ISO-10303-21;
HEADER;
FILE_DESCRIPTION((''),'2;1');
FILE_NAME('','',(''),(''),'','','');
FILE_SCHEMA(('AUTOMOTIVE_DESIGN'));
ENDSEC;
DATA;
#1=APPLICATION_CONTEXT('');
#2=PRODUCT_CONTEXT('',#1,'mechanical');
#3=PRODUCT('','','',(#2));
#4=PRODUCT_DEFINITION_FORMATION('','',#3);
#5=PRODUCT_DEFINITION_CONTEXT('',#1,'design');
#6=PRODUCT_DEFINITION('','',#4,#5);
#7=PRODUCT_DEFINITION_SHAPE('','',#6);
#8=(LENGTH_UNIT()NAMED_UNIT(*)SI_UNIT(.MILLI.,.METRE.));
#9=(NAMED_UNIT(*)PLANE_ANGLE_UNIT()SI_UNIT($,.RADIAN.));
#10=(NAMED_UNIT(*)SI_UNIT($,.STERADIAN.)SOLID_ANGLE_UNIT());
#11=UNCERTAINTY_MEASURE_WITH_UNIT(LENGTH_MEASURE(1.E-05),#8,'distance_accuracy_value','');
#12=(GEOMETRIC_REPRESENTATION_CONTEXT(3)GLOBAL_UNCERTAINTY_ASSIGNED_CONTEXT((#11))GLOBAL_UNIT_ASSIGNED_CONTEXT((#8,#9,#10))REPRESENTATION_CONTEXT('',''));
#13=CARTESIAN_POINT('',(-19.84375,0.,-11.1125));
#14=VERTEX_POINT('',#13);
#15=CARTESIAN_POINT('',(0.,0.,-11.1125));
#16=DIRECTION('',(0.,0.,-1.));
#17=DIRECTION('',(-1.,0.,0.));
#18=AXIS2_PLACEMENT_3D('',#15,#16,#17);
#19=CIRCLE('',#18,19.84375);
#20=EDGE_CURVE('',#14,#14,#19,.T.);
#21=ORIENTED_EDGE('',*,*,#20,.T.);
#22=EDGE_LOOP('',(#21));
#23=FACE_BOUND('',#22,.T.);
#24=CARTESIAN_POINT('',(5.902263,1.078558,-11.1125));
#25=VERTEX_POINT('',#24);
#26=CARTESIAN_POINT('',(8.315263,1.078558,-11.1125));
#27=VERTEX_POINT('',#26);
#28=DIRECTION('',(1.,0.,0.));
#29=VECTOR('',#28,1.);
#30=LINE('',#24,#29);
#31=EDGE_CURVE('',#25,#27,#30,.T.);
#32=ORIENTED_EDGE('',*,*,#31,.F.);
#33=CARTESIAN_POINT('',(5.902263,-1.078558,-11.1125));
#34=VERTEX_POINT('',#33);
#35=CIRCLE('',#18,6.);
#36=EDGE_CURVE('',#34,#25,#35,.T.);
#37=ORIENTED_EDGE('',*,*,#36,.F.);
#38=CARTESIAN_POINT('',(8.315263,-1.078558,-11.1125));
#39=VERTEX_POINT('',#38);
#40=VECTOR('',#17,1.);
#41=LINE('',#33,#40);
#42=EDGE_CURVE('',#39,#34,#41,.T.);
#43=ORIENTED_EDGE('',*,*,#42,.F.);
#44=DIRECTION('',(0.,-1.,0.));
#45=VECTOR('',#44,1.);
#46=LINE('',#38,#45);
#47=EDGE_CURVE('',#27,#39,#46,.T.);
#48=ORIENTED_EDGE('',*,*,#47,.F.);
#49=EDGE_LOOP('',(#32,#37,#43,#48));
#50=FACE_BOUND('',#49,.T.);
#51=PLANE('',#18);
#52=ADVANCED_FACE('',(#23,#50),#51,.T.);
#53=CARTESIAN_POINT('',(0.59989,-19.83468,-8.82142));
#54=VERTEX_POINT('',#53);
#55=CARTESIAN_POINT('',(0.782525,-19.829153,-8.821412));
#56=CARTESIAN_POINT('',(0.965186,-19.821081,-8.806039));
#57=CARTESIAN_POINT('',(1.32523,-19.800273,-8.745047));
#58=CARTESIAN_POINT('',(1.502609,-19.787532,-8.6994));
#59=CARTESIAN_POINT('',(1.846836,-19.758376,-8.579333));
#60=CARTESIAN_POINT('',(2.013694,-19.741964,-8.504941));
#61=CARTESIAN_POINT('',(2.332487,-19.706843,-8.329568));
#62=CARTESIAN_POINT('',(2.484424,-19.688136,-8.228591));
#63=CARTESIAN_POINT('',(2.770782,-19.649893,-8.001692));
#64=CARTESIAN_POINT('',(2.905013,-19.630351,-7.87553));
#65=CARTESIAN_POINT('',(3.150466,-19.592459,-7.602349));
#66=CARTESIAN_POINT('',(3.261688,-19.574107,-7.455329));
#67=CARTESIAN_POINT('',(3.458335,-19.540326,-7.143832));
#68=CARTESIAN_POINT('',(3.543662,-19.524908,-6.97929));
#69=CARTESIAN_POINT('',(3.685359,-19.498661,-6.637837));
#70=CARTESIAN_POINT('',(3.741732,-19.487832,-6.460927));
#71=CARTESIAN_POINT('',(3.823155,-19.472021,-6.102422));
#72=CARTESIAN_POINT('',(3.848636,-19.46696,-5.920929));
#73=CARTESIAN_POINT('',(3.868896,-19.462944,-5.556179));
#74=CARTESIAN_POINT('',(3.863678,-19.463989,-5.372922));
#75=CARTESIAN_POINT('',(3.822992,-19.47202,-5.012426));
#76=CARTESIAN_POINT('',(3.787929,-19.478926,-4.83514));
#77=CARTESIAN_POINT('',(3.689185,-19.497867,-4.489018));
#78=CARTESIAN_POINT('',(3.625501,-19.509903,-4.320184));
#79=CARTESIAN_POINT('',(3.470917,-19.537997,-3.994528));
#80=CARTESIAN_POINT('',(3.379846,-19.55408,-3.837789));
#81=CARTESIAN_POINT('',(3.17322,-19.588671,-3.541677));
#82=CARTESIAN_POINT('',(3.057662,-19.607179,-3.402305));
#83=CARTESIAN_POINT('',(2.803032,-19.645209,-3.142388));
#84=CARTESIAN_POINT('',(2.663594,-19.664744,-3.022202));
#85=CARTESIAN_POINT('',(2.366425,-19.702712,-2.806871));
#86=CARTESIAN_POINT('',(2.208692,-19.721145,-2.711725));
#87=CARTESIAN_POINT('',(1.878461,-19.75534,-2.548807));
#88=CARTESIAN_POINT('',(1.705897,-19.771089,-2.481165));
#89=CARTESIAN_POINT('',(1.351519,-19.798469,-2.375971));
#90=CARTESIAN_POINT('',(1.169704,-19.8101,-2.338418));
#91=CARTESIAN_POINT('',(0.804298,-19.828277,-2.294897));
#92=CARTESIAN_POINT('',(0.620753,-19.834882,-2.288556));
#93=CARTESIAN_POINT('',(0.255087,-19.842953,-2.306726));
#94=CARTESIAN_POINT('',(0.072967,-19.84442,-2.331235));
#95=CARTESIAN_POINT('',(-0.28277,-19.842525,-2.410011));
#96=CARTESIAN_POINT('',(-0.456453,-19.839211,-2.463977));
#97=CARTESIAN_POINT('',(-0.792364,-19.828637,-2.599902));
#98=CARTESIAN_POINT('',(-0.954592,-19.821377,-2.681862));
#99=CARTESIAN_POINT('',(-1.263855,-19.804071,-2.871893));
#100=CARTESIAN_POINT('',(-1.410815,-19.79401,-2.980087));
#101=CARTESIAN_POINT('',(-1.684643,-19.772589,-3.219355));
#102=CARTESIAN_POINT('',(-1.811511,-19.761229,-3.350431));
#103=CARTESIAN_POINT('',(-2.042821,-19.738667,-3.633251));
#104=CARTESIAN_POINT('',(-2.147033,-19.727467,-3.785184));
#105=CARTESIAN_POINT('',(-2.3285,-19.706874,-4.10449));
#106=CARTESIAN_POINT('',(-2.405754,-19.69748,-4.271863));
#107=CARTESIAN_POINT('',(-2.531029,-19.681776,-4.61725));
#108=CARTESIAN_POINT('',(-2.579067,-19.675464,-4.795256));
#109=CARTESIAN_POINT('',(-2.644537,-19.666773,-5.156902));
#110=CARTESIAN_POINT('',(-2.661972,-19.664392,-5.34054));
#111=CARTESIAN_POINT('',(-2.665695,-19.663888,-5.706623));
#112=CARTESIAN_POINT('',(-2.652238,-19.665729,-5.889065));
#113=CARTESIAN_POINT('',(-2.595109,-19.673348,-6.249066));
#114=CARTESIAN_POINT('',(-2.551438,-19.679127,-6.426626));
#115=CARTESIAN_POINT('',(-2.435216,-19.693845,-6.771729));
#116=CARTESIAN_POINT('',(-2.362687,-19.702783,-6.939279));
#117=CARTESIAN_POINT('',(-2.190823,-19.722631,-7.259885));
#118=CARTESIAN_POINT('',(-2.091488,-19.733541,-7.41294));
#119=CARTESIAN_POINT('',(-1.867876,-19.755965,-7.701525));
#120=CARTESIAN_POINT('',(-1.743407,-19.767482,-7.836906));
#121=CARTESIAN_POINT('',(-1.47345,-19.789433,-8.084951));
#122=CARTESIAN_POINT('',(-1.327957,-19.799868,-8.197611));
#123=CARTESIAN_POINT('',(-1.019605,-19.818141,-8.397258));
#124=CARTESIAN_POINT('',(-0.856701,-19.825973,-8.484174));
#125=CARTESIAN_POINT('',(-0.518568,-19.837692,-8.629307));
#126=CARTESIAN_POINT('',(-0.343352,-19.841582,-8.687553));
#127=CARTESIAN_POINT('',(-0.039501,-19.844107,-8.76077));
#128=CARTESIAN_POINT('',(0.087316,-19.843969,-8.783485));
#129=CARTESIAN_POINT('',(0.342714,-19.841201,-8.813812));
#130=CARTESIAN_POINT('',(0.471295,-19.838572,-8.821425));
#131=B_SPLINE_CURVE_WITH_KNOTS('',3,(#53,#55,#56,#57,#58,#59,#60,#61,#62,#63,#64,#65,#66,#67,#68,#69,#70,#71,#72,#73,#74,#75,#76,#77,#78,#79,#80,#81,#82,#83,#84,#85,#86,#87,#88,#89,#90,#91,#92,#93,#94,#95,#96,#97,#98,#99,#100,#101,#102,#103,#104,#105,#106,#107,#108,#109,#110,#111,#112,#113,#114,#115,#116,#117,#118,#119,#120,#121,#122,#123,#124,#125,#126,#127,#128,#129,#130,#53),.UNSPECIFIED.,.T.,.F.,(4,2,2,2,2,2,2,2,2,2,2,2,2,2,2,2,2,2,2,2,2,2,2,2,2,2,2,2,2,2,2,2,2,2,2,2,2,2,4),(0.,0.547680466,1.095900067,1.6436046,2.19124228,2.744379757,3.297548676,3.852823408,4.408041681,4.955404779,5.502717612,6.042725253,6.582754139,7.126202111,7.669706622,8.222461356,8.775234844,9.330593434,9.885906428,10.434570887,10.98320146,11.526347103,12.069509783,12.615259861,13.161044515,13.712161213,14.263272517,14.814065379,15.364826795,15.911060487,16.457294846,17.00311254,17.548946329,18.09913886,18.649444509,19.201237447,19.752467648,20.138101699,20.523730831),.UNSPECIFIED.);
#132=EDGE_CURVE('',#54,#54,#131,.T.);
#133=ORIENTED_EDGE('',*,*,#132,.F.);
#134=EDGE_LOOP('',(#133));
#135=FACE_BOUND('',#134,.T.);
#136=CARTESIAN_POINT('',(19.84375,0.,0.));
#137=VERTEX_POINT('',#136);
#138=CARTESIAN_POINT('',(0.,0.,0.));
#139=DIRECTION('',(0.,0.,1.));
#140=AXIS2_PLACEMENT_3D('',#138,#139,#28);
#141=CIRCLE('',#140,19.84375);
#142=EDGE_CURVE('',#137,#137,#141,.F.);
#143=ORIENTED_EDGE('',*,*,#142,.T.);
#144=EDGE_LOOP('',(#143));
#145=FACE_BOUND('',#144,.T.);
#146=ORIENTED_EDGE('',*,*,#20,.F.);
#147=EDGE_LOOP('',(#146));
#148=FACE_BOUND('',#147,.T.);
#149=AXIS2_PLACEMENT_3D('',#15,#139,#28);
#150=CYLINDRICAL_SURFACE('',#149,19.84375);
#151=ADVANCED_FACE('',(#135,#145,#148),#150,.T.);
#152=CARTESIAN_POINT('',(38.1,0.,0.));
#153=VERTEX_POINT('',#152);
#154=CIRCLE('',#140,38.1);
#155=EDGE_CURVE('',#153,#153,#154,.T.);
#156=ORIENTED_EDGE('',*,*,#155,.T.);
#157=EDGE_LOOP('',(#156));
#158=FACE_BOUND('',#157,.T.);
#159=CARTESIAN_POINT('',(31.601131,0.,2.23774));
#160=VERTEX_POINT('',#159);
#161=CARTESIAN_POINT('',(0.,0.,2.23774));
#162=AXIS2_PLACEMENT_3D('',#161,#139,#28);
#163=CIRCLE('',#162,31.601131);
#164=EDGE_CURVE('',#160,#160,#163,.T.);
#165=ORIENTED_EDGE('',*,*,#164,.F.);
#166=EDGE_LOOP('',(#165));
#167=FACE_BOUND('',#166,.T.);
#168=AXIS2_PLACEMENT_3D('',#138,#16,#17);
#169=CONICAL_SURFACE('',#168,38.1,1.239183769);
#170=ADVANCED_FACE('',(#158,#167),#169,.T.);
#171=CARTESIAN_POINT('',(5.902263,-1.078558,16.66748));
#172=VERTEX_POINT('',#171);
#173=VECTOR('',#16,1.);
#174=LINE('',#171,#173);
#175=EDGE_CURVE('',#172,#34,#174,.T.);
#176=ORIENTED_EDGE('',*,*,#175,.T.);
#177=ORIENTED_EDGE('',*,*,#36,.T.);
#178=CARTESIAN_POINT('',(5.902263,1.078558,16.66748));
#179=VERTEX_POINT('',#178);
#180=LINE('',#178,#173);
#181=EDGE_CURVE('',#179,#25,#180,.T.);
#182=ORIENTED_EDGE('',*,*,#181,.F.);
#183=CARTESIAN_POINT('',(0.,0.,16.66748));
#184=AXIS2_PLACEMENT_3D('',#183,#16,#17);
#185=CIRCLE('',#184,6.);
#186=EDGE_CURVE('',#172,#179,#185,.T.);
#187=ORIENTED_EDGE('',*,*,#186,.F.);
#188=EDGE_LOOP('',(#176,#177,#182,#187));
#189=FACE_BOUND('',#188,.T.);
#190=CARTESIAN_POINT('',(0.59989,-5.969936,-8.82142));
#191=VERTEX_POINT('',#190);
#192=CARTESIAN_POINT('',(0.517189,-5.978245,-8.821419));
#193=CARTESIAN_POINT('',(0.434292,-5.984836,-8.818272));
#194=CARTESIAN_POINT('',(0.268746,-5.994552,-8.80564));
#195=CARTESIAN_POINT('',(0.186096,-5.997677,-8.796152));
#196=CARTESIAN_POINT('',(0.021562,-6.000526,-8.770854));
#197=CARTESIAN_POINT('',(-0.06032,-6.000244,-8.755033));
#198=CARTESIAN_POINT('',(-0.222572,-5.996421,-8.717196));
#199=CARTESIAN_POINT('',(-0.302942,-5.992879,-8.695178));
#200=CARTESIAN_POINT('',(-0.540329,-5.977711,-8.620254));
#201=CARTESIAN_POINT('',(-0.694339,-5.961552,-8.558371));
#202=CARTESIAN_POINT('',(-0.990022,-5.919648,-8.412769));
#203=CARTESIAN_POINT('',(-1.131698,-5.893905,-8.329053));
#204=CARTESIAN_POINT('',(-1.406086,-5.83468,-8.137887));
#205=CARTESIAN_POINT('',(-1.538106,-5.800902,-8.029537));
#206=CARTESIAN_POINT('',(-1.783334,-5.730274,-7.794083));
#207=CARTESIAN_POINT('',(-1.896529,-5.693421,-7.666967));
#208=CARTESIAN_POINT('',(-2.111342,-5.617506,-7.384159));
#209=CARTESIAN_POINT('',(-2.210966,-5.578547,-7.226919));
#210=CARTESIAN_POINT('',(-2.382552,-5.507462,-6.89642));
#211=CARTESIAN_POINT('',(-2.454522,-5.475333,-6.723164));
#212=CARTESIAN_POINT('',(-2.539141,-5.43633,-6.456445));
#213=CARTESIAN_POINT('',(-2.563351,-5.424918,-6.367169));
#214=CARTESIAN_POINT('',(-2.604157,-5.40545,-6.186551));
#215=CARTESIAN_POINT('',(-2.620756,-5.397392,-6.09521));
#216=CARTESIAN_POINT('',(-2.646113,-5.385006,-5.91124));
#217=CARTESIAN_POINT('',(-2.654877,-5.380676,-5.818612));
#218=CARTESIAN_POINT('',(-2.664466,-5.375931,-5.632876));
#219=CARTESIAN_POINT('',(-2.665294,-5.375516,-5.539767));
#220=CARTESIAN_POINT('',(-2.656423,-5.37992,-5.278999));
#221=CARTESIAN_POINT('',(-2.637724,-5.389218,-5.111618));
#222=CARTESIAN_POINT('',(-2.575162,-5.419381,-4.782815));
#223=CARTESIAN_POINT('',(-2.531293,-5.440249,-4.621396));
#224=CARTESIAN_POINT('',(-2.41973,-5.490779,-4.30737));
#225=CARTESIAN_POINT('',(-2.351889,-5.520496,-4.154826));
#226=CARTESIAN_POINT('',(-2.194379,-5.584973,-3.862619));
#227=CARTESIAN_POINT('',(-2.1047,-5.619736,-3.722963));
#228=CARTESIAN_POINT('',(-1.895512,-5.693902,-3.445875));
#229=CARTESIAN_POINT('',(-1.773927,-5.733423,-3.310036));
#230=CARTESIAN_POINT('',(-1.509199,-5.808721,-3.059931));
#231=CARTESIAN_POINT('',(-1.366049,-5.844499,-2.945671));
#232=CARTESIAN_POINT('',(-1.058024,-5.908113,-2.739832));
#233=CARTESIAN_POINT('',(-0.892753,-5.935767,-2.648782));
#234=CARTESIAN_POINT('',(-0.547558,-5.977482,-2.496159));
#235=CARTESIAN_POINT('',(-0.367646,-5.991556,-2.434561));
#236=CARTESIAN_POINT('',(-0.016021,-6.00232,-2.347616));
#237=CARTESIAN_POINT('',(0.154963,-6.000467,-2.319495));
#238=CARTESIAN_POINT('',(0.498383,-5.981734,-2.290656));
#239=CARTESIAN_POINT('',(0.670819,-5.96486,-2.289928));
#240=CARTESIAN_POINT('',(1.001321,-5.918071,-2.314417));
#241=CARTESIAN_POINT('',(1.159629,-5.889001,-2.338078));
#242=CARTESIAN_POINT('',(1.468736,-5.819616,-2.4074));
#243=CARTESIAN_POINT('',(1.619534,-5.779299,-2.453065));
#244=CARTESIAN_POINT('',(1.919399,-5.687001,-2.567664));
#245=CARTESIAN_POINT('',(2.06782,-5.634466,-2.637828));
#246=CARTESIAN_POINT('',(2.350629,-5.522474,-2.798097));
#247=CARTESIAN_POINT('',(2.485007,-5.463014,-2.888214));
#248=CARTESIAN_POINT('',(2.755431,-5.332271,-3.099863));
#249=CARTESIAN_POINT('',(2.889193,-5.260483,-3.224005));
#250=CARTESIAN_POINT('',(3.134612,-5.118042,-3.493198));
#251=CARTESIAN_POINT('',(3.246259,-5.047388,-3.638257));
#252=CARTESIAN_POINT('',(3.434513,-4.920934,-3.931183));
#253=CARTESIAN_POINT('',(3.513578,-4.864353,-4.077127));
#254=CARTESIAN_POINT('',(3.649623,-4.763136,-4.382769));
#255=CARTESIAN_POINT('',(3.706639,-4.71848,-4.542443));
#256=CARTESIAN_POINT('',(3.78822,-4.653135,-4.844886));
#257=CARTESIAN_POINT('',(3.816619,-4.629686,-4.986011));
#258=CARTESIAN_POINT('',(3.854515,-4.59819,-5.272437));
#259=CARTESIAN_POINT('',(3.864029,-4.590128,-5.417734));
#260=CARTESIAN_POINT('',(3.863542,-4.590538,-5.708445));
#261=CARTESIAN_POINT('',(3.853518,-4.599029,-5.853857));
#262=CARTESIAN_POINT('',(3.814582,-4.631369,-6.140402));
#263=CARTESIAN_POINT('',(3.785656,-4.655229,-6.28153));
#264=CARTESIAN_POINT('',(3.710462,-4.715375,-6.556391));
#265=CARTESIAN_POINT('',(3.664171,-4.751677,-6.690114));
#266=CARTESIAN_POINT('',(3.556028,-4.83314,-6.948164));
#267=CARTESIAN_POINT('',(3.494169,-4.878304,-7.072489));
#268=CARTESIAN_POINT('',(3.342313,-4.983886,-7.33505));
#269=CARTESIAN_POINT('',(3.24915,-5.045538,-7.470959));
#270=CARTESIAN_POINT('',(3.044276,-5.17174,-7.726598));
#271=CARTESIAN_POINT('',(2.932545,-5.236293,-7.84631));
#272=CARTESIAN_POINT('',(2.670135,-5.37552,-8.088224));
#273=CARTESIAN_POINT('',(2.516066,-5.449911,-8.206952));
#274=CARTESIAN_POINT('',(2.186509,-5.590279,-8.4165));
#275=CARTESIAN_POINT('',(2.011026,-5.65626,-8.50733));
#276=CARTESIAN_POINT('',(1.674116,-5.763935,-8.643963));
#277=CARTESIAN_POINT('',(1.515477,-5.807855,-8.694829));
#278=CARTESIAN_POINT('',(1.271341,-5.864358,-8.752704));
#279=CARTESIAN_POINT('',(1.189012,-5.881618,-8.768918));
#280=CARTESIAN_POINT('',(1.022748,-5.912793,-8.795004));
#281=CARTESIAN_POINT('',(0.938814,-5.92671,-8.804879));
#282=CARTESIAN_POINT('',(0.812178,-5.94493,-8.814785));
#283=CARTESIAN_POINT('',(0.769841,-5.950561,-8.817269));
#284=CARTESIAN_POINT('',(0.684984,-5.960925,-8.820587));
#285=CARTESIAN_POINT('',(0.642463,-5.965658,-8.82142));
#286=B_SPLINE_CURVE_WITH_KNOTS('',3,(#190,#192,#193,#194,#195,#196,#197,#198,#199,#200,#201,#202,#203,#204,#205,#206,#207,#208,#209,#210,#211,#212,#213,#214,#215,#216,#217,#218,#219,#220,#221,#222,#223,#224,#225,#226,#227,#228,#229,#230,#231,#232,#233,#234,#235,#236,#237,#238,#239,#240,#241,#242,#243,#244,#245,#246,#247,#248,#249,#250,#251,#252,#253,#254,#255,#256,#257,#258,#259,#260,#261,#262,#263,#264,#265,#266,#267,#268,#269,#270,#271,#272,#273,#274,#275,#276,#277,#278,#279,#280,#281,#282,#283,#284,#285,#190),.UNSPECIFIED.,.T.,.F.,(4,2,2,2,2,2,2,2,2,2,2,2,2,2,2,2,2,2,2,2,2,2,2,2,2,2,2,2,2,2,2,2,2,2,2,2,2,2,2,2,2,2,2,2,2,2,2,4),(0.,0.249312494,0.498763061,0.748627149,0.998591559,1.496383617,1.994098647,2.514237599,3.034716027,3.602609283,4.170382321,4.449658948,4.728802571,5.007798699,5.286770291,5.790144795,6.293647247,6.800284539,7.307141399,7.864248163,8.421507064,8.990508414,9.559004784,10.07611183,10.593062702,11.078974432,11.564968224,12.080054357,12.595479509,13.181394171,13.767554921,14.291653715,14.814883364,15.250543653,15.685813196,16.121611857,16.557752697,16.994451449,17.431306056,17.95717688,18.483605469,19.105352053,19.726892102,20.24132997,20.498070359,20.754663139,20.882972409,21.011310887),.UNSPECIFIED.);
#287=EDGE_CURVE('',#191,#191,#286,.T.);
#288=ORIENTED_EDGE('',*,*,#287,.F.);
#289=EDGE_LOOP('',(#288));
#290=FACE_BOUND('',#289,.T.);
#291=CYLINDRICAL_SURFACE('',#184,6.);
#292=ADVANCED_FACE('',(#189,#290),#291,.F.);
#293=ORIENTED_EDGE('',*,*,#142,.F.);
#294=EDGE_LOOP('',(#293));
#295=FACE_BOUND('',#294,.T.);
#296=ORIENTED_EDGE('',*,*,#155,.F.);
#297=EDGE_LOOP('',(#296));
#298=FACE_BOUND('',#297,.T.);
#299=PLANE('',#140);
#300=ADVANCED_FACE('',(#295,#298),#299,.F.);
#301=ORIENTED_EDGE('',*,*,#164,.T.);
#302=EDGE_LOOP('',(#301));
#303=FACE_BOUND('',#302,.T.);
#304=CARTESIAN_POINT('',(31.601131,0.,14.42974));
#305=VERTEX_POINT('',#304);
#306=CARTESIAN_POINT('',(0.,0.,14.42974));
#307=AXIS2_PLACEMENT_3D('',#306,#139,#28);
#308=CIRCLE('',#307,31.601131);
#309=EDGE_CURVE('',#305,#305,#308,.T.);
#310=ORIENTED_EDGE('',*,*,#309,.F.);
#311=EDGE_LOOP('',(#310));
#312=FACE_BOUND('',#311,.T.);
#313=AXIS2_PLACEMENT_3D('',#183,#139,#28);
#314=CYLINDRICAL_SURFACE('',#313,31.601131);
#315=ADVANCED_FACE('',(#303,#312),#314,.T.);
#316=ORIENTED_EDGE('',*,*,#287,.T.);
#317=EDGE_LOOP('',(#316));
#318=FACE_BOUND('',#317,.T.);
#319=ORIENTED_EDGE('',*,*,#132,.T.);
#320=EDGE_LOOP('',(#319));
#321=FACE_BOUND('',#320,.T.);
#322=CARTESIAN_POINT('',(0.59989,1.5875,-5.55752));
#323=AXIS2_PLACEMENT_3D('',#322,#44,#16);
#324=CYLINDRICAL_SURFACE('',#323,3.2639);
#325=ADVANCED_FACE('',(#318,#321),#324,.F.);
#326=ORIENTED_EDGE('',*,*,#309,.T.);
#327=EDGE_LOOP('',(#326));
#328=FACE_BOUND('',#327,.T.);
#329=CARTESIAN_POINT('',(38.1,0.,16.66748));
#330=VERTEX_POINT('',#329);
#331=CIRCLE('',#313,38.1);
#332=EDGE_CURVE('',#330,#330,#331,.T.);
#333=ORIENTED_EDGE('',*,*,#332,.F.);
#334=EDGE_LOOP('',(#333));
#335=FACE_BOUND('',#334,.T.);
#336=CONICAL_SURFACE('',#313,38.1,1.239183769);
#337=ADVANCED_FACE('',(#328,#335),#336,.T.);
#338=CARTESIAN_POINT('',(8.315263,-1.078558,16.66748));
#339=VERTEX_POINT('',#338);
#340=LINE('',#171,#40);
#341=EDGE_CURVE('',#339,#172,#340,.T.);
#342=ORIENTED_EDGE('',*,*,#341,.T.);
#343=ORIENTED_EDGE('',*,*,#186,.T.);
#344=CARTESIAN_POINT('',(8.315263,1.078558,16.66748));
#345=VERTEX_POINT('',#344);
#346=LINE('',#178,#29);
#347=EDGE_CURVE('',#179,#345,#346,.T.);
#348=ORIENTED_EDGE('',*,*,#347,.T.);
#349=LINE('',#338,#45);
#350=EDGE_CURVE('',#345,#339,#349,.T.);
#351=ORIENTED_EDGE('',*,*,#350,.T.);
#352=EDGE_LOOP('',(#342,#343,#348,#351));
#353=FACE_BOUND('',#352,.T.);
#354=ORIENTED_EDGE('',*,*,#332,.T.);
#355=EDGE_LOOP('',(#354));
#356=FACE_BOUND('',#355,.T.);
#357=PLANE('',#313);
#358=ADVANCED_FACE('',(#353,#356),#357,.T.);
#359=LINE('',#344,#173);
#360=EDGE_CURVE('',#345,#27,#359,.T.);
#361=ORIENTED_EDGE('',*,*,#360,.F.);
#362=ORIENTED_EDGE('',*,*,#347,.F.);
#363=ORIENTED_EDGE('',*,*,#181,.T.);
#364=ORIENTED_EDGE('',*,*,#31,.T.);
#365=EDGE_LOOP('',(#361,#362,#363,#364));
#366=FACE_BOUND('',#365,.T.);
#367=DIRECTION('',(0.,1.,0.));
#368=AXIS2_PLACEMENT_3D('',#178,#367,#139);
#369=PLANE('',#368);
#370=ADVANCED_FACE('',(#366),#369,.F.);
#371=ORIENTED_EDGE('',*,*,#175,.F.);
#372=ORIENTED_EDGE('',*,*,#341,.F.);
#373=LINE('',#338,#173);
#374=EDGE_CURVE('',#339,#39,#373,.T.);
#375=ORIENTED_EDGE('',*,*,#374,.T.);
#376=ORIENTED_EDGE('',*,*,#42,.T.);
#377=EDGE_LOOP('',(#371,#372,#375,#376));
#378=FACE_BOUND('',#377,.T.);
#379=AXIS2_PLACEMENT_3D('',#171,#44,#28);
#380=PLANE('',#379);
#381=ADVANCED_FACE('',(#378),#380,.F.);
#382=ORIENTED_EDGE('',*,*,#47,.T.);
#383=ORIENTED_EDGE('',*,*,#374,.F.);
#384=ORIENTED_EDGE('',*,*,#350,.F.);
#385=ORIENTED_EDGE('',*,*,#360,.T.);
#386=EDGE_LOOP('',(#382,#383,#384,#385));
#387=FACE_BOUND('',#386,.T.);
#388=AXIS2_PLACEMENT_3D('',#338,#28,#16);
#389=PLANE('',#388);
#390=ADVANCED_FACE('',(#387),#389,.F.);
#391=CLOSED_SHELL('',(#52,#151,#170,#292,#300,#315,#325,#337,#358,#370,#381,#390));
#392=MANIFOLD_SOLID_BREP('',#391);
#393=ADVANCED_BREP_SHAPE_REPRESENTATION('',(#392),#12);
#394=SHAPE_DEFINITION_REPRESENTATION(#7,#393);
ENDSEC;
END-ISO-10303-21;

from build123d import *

# Parameters (mm, degrees)
SKETCH1_R               = 38.1
BOSS_EXTRUDE1_DEPTH     = 16.66748
SKETCH2_R               = 19.84375
BOSS_EXTRUDE2_DEPTH     = 11.1125
CUT_EXTRUDE1_DEPTH      = 61.621343509
CUT_EXTRUDE2_DEPTH      = 11.1125
CUT_EXTRUDE2_DEPTH_BACK = 11.1125
SKETCH5_R               = 3.2639


with BuildPart() as part:
    # Sketch1 → Boss-Extrude1 (new body)
    with BuildSketch(Plane.XY):
        Circle(SKETCH1_R)
    extrude(amount=BOSS_EXTRUDE1_DEPTH)

    # Sketch2 → Boss-Extrude2 (add)
    with BuildSketch(Plane(origin=(0, 0, 0), x_dir=(-1, 0, 0), z_dir=(0, 0, -1))):
        with Locations(Location((0, 0, 0), (0, 0, 180))):
            Circle(SKETCH2_R)
    extrude(amount=BOSS_EXTRUDE2_DEPTH)

    # Sketch3 → Cut-Extrude1 (cut, through all)
    with BuildSketch(Plane(origin=(0, 0, -11.1125), x_dir=(-1, 0, 0), z_dir=(0, 0, -1))):
        with BuildLine():
            Line((-5.902263385, -1.078557803), (-8.315263385, -1.078557803))
            Line((-8.315263385, -1.078557803), (-8.315263385, 1.078557803))
            Line((-8.315263385, 1.078557803), (-5.902263385, 1.078557803))
            ThreePointArc((-5.902263385, 1.078557803), (6, 0), (-5.902263385, -1.078557803))
        make_face()
    extrude(amount=-CUT_EXTRUDE1_DEPTH, mode=Mode.SUBTRACT)

    # Sketch5 → Cut-Extrude2 (cut, two sides: drawn at the far end of the back side and taken through both)
    with BuildSketch(Plane(origin=(0, -9.525, 0), x_dir=(1, 0, 0), z_dir=(0, 1, 0)).offset(-CUT_EXTRUDE2_DEPTH_BACK)):
        with Locations(Location((0.599890424, 5.55752, 0), (0, 0, 90))):
            Circle(SKETCH5_R)
    extrude(amount=CUT_EXTRUDE2_DEPTH + CUT_EXTRUDE2_DEPTH_BACK, mode=Mode.SUBTRACT)

    # Sketch7 → Cut-Revolve1 (revolve, cut)
    with BuildSketch(Plane(origin=(0, 0, 0), x_dir=(0, 0, -1), z_dir=(1, 0, 0)), mode=Mode.PRIVATE) as cut_revolve1_sk:
        Polygon((-16.66748, 38.1), (0, 38.1), (-2.23774, 31.601131151), (-14.42974, 31.601131151), align=None)
    revolve(cut_revolve1_sk.sketch.rotate(Axis((0, 0, 16.66748), (0, 0, -1)), 90), axis=Axis((0, 0, 16.66748), (0, 0, -1)), mode=Mode.SUBTRACT)


solid = part.part
